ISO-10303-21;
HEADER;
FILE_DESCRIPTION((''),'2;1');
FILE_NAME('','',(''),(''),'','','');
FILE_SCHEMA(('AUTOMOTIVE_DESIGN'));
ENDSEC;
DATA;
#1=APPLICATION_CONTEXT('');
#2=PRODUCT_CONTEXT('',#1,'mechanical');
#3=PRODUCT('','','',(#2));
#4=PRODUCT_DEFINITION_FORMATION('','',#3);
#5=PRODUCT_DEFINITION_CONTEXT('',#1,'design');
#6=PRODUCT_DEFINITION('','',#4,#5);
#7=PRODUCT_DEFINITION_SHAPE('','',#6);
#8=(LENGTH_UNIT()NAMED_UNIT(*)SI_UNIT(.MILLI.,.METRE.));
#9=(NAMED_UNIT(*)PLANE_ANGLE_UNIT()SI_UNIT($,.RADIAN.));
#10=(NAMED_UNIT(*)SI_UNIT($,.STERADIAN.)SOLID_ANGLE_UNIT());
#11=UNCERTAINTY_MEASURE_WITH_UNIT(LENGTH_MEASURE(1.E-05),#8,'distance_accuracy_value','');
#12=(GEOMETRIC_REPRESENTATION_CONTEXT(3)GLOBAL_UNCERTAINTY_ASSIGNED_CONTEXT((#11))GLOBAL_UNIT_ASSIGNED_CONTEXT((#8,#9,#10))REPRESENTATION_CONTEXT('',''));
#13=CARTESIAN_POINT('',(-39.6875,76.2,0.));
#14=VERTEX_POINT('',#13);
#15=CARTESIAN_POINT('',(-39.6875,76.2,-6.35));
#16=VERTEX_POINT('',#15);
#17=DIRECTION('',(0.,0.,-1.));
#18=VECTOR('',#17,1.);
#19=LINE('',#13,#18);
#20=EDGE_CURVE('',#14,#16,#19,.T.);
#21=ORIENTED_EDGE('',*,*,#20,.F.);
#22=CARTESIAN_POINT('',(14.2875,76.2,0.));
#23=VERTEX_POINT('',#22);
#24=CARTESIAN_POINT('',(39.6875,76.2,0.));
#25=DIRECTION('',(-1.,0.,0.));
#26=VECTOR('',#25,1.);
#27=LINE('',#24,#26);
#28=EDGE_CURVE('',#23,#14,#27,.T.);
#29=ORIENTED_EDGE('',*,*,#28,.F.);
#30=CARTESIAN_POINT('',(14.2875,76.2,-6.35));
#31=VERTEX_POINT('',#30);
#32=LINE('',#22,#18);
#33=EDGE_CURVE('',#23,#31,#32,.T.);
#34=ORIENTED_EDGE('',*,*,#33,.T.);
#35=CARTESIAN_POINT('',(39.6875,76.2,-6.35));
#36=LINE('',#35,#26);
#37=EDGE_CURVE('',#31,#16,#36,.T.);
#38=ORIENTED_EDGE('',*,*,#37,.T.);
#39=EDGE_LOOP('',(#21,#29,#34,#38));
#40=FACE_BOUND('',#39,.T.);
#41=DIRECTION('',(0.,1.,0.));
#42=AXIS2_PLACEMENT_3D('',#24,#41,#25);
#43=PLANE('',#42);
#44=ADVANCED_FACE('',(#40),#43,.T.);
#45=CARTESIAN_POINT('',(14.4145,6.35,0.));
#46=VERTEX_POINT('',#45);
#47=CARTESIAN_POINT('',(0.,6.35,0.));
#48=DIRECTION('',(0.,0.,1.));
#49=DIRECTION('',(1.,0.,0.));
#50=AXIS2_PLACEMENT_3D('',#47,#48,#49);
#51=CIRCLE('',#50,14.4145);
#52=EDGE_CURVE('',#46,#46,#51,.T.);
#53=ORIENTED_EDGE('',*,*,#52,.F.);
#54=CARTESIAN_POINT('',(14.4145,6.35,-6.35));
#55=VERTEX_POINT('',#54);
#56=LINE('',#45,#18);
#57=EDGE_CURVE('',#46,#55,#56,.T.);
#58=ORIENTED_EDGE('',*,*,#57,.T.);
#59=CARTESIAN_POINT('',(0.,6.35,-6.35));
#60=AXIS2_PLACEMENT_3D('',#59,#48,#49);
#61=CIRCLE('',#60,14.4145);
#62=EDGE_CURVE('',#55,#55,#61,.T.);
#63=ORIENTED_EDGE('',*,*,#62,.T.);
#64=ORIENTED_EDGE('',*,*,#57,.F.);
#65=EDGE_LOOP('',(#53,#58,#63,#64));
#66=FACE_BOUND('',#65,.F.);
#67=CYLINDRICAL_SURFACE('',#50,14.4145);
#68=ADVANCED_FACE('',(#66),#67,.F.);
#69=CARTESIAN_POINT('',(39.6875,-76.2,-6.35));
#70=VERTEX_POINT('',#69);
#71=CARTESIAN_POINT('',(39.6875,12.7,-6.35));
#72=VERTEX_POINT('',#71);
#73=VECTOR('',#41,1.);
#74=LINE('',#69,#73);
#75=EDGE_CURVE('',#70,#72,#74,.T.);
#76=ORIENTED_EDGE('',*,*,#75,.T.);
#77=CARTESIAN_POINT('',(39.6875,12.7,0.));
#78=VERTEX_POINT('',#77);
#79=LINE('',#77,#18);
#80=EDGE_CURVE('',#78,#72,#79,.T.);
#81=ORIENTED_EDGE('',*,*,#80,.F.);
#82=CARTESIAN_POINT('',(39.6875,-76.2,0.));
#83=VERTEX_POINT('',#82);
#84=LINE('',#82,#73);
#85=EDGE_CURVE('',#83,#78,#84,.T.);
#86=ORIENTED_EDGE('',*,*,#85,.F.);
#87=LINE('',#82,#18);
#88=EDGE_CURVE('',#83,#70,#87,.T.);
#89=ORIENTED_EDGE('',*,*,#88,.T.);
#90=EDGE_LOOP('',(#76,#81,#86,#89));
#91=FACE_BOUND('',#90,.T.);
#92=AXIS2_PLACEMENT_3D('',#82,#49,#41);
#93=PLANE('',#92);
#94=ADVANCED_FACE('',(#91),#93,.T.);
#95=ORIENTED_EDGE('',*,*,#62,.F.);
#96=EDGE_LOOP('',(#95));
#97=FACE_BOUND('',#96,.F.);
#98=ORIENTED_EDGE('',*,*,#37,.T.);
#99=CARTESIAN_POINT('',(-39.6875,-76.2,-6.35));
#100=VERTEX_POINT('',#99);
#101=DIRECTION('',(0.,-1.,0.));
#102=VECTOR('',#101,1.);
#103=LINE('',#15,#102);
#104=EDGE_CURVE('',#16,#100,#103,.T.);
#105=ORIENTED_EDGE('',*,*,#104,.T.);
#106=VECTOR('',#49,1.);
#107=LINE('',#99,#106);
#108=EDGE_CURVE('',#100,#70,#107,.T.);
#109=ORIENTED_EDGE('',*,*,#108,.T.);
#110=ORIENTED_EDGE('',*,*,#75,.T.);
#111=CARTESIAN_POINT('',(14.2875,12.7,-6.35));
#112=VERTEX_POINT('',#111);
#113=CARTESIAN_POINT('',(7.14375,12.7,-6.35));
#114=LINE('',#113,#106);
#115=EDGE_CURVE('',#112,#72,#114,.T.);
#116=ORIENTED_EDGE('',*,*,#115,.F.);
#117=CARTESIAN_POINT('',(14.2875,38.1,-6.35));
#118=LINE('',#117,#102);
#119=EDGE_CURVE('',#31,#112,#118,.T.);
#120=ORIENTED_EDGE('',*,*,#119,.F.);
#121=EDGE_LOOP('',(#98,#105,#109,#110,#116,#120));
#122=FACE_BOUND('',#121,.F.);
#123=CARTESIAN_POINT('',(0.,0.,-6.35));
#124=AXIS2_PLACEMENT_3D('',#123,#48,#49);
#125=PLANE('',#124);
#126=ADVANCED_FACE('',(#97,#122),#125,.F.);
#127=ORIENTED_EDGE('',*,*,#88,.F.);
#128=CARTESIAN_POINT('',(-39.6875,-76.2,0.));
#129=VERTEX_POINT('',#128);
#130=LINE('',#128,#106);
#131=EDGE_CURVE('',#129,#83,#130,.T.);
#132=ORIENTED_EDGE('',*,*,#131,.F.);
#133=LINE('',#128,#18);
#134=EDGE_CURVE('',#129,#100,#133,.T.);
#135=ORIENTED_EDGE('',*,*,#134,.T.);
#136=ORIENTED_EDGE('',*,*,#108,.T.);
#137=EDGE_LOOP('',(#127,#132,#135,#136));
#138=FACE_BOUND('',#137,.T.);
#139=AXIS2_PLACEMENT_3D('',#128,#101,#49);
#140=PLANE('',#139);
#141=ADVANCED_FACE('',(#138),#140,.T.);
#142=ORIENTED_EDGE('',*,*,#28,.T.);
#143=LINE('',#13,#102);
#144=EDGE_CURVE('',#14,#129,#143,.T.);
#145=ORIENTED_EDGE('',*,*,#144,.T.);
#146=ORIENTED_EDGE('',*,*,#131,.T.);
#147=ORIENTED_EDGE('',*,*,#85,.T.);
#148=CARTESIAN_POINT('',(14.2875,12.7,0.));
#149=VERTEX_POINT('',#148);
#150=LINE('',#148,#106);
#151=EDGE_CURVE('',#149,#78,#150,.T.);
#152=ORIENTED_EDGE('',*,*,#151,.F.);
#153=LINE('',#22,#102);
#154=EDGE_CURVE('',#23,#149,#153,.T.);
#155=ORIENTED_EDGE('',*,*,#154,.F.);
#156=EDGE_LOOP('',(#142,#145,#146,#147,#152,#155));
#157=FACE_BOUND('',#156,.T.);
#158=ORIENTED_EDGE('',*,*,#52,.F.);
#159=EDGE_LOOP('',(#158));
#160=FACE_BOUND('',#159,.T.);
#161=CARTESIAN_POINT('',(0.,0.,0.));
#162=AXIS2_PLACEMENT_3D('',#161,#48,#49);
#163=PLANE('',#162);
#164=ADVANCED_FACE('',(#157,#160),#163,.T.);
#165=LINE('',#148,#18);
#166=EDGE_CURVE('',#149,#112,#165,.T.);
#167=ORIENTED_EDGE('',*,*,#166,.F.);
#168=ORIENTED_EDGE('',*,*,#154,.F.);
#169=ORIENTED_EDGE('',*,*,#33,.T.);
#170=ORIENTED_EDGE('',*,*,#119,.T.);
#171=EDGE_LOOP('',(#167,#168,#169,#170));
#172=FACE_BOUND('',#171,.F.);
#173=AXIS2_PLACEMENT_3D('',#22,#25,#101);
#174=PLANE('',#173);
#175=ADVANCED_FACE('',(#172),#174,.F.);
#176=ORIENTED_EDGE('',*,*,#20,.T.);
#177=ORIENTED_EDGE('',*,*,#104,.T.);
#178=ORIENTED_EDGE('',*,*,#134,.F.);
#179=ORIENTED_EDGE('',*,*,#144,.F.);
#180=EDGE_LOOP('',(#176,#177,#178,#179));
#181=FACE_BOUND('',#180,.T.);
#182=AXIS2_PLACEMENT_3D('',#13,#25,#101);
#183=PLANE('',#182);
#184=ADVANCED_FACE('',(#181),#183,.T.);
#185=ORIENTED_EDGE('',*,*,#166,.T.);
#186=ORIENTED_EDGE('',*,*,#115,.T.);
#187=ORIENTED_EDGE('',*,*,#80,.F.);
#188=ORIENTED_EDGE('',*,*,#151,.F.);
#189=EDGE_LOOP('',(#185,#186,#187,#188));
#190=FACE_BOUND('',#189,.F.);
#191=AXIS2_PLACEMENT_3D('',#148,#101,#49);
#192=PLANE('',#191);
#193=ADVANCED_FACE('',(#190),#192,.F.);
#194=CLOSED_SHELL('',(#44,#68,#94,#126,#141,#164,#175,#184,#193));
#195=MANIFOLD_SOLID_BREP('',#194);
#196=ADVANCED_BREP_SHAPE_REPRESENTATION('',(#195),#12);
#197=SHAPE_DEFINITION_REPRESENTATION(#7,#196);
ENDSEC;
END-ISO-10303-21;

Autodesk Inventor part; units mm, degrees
ref_plane "YZ Plane" through (0, 0, 0) normal (1, 0, 0) x (0, 1, 0)
ref_plane "XZ Plane" through (0, 0, 0) normal (0, 1, 0) x (-1, 0, 0)
ref_plane "XY Plane" through (0, 0, 0) normal (0, 0, 1) x (1, 0, 0)
sketch "Sketch1" plane through (0, 0, 0) normal (0, 0, 1) x (1, 0, 0)
  line L0 (-39.6875, -76.2) -> (39.6875, -76.2)
  line L1 (39.6875, -76.2) -> (39.6875, 76.2)
  line L2 (39.6875, 76.2) -> (-39.6875, 76.2)
  line L3 (-39.6875, 76.2) -> (-39.6875, -76.2)
  line L4 (-39.6875, -76.2) -> (39.6875, 76.2) construction
  line L5 (39.6875, -76.2) -> (-39.6875, 76.2) construction
  point P0 (0, 0)
  dimension "d0" = 79.375
  dimension "d1" = 152.4
extrude "Extrusion1" add sketch "Sketch1" against normal blind 6.35
sketch "Sketch2" plane through (0, 0, 0) normal (0, 0, 1) x (1, 0, 0)
  circle A0 centre (0, 6.35) radius 14.4145
  line L0 (39.6875, 76.2) -> (-39.6875, 76.2) projected
  point P0 (0, 0)
  dimension "bearingDiameter" = 28.829
  dimension "d5" = 69.85
extrude "Extrusion2" cut sketch "Sketch2" against normal through all
sketch "Sketch8" plane through (0, 0, 0) normal (0, 0, 1) x (1, 0, 0)
  line L0 (-39.6875, 76.2) -> (39.6875, 76.2) projected
  line L1 (39.6875, 76.2) -> (14.2875, 76.2)
  line L2 (14.2875, 76.2) -> (14.2875, 12.7)
  line L3 (14.2875, 12.7) -> (39.6875, 12.7)
  line L4 (39.6875, 12.7) -> (39.6875, 76.2)
  point P0 (0, 0)
  dimension "d43" = 25.4
  dimension "d44" = 63.5
extrude "Extrusion3" cut sketch "Sketch8" against normal through all
properties part number "plateForHangingMechanism" material "Aluminum 6061"
